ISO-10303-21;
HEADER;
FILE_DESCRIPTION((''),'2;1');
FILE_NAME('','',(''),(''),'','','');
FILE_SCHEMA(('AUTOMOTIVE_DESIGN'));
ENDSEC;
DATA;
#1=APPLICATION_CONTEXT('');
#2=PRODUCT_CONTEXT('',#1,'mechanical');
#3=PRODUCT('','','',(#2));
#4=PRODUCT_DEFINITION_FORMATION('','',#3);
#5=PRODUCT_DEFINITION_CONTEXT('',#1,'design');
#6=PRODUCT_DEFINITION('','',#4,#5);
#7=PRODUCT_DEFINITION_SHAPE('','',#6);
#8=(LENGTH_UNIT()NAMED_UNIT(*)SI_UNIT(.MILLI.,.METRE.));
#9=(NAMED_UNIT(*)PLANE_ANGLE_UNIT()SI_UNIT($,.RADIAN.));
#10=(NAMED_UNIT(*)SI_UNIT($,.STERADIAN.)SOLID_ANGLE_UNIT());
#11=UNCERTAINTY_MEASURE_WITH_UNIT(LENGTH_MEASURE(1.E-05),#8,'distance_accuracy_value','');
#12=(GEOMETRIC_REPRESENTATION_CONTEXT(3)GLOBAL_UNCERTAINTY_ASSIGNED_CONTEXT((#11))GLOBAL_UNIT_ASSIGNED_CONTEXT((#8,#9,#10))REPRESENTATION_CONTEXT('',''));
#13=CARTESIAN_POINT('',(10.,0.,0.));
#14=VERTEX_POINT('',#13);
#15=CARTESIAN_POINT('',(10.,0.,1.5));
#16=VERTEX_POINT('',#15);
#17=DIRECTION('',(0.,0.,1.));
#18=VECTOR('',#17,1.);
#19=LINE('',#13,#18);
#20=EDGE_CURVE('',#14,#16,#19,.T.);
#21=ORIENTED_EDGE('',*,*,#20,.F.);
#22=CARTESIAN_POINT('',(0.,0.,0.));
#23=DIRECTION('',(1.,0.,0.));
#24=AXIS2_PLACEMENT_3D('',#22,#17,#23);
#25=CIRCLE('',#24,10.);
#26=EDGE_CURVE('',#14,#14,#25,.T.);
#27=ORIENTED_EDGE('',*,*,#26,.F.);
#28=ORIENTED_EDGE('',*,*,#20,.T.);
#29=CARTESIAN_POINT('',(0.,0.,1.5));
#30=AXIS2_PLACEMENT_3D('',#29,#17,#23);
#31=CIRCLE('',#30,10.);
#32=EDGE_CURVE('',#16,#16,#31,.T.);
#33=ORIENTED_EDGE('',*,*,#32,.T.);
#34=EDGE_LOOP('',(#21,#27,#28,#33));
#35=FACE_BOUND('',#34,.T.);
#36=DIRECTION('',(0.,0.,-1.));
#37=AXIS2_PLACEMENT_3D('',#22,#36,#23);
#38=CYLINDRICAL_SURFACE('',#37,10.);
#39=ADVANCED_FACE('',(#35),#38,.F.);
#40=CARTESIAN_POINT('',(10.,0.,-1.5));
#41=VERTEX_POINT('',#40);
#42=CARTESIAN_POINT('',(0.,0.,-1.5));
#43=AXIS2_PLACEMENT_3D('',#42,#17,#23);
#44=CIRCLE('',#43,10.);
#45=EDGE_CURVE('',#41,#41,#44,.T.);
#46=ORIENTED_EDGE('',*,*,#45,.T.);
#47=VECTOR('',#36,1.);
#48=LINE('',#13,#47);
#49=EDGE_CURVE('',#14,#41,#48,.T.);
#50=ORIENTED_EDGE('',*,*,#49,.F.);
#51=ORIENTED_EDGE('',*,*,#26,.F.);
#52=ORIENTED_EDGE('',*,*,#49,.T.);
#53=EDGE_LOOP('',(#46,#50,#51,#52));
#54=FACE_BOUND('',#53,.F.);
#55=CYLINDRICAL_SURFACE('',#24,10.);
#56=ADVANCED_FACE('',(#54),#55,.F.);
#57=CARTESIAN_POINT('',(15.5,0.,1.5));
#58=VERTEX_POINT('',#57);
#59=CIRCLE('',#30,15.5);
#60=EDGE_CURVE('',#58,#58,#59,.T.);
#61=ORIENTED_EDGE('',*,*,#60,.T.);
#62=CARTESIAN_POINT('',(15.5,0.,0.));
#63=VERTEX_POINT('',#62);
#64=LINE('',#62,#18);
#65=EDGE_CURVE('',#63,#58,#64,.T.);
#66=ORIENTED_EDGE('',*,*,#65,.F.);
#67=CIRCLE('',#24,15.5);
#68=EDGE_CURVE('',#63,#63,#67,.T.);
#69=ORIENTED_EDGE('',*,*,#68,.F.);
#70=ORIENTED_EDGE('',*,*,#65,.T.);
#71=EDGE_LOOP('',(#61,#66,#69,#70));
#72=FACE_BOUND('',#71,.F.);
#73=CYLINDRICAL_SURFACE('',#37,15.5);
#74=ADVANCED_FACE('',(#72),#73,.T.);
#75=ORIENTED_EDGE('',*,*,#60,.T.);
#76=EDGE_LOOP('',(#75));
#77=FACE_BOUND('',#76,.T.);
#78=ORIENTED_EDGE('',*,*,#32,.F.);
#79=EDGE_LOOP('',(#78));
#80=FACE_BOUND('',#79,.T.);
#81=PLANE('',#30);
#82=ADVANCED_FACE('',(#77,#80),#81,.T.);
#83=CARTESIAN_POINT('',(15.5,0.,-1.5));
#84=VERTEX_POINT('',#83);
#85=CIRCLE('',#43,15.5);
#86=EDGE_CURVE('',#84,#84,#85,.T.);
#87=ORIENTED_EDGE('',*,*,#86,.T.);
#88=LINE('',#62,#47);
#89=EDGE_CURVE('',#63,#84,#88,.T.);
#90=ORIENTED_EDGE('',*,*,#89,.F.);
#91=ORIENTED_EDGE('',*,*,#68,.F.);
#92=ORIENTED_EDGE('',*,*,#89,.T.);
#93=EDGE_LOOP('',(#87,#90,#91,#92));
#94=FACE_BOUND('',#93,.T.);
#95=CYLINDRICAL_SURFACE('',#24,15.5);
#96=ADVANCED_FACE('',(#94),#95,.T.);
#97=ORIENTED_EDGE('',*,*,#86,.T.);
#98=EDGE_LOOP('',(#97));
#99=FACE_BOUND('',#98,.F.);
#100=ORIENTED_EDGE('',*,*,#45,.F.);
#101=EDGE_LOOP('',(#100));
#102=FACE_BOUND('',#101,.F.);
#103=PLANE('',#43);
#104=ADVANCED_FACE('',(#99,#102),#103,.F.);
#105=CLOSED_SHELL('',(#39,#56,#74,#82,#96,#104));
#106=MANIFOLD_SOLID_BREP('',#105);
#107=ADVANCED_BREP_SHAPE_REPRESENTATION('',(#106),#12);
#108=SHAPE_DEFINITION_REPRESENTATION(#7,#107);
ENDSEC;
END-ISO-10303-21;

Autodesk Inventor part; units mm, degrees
ref_plane "YZ Plane" through (0, 0, 0) normal (1, 0, 0) x (0, 1, 0)
ref_plane "XZ Plane" through (0, 0, 0) normal (0, 1, 0) x (-1, 0, 0)
ref_plane "XY Plane" through (0, 0, 0) normal (0, 0, 1) x (1, 0, 0)
sketch "Sketch1" plane through (0, 0, 0) normal (0, 0, 1) x (1, 0, 0)
  circle A0 centre (0, 0) radius 15.5
  circle A1 centre (0, 0) radius 10
  dimension "d0" = 31
  dimension "d1" = 20
extrude "Extrusion1" add sketch "Sketch1" along normal mid plane 3
properties material "Rubber, Silicone"
